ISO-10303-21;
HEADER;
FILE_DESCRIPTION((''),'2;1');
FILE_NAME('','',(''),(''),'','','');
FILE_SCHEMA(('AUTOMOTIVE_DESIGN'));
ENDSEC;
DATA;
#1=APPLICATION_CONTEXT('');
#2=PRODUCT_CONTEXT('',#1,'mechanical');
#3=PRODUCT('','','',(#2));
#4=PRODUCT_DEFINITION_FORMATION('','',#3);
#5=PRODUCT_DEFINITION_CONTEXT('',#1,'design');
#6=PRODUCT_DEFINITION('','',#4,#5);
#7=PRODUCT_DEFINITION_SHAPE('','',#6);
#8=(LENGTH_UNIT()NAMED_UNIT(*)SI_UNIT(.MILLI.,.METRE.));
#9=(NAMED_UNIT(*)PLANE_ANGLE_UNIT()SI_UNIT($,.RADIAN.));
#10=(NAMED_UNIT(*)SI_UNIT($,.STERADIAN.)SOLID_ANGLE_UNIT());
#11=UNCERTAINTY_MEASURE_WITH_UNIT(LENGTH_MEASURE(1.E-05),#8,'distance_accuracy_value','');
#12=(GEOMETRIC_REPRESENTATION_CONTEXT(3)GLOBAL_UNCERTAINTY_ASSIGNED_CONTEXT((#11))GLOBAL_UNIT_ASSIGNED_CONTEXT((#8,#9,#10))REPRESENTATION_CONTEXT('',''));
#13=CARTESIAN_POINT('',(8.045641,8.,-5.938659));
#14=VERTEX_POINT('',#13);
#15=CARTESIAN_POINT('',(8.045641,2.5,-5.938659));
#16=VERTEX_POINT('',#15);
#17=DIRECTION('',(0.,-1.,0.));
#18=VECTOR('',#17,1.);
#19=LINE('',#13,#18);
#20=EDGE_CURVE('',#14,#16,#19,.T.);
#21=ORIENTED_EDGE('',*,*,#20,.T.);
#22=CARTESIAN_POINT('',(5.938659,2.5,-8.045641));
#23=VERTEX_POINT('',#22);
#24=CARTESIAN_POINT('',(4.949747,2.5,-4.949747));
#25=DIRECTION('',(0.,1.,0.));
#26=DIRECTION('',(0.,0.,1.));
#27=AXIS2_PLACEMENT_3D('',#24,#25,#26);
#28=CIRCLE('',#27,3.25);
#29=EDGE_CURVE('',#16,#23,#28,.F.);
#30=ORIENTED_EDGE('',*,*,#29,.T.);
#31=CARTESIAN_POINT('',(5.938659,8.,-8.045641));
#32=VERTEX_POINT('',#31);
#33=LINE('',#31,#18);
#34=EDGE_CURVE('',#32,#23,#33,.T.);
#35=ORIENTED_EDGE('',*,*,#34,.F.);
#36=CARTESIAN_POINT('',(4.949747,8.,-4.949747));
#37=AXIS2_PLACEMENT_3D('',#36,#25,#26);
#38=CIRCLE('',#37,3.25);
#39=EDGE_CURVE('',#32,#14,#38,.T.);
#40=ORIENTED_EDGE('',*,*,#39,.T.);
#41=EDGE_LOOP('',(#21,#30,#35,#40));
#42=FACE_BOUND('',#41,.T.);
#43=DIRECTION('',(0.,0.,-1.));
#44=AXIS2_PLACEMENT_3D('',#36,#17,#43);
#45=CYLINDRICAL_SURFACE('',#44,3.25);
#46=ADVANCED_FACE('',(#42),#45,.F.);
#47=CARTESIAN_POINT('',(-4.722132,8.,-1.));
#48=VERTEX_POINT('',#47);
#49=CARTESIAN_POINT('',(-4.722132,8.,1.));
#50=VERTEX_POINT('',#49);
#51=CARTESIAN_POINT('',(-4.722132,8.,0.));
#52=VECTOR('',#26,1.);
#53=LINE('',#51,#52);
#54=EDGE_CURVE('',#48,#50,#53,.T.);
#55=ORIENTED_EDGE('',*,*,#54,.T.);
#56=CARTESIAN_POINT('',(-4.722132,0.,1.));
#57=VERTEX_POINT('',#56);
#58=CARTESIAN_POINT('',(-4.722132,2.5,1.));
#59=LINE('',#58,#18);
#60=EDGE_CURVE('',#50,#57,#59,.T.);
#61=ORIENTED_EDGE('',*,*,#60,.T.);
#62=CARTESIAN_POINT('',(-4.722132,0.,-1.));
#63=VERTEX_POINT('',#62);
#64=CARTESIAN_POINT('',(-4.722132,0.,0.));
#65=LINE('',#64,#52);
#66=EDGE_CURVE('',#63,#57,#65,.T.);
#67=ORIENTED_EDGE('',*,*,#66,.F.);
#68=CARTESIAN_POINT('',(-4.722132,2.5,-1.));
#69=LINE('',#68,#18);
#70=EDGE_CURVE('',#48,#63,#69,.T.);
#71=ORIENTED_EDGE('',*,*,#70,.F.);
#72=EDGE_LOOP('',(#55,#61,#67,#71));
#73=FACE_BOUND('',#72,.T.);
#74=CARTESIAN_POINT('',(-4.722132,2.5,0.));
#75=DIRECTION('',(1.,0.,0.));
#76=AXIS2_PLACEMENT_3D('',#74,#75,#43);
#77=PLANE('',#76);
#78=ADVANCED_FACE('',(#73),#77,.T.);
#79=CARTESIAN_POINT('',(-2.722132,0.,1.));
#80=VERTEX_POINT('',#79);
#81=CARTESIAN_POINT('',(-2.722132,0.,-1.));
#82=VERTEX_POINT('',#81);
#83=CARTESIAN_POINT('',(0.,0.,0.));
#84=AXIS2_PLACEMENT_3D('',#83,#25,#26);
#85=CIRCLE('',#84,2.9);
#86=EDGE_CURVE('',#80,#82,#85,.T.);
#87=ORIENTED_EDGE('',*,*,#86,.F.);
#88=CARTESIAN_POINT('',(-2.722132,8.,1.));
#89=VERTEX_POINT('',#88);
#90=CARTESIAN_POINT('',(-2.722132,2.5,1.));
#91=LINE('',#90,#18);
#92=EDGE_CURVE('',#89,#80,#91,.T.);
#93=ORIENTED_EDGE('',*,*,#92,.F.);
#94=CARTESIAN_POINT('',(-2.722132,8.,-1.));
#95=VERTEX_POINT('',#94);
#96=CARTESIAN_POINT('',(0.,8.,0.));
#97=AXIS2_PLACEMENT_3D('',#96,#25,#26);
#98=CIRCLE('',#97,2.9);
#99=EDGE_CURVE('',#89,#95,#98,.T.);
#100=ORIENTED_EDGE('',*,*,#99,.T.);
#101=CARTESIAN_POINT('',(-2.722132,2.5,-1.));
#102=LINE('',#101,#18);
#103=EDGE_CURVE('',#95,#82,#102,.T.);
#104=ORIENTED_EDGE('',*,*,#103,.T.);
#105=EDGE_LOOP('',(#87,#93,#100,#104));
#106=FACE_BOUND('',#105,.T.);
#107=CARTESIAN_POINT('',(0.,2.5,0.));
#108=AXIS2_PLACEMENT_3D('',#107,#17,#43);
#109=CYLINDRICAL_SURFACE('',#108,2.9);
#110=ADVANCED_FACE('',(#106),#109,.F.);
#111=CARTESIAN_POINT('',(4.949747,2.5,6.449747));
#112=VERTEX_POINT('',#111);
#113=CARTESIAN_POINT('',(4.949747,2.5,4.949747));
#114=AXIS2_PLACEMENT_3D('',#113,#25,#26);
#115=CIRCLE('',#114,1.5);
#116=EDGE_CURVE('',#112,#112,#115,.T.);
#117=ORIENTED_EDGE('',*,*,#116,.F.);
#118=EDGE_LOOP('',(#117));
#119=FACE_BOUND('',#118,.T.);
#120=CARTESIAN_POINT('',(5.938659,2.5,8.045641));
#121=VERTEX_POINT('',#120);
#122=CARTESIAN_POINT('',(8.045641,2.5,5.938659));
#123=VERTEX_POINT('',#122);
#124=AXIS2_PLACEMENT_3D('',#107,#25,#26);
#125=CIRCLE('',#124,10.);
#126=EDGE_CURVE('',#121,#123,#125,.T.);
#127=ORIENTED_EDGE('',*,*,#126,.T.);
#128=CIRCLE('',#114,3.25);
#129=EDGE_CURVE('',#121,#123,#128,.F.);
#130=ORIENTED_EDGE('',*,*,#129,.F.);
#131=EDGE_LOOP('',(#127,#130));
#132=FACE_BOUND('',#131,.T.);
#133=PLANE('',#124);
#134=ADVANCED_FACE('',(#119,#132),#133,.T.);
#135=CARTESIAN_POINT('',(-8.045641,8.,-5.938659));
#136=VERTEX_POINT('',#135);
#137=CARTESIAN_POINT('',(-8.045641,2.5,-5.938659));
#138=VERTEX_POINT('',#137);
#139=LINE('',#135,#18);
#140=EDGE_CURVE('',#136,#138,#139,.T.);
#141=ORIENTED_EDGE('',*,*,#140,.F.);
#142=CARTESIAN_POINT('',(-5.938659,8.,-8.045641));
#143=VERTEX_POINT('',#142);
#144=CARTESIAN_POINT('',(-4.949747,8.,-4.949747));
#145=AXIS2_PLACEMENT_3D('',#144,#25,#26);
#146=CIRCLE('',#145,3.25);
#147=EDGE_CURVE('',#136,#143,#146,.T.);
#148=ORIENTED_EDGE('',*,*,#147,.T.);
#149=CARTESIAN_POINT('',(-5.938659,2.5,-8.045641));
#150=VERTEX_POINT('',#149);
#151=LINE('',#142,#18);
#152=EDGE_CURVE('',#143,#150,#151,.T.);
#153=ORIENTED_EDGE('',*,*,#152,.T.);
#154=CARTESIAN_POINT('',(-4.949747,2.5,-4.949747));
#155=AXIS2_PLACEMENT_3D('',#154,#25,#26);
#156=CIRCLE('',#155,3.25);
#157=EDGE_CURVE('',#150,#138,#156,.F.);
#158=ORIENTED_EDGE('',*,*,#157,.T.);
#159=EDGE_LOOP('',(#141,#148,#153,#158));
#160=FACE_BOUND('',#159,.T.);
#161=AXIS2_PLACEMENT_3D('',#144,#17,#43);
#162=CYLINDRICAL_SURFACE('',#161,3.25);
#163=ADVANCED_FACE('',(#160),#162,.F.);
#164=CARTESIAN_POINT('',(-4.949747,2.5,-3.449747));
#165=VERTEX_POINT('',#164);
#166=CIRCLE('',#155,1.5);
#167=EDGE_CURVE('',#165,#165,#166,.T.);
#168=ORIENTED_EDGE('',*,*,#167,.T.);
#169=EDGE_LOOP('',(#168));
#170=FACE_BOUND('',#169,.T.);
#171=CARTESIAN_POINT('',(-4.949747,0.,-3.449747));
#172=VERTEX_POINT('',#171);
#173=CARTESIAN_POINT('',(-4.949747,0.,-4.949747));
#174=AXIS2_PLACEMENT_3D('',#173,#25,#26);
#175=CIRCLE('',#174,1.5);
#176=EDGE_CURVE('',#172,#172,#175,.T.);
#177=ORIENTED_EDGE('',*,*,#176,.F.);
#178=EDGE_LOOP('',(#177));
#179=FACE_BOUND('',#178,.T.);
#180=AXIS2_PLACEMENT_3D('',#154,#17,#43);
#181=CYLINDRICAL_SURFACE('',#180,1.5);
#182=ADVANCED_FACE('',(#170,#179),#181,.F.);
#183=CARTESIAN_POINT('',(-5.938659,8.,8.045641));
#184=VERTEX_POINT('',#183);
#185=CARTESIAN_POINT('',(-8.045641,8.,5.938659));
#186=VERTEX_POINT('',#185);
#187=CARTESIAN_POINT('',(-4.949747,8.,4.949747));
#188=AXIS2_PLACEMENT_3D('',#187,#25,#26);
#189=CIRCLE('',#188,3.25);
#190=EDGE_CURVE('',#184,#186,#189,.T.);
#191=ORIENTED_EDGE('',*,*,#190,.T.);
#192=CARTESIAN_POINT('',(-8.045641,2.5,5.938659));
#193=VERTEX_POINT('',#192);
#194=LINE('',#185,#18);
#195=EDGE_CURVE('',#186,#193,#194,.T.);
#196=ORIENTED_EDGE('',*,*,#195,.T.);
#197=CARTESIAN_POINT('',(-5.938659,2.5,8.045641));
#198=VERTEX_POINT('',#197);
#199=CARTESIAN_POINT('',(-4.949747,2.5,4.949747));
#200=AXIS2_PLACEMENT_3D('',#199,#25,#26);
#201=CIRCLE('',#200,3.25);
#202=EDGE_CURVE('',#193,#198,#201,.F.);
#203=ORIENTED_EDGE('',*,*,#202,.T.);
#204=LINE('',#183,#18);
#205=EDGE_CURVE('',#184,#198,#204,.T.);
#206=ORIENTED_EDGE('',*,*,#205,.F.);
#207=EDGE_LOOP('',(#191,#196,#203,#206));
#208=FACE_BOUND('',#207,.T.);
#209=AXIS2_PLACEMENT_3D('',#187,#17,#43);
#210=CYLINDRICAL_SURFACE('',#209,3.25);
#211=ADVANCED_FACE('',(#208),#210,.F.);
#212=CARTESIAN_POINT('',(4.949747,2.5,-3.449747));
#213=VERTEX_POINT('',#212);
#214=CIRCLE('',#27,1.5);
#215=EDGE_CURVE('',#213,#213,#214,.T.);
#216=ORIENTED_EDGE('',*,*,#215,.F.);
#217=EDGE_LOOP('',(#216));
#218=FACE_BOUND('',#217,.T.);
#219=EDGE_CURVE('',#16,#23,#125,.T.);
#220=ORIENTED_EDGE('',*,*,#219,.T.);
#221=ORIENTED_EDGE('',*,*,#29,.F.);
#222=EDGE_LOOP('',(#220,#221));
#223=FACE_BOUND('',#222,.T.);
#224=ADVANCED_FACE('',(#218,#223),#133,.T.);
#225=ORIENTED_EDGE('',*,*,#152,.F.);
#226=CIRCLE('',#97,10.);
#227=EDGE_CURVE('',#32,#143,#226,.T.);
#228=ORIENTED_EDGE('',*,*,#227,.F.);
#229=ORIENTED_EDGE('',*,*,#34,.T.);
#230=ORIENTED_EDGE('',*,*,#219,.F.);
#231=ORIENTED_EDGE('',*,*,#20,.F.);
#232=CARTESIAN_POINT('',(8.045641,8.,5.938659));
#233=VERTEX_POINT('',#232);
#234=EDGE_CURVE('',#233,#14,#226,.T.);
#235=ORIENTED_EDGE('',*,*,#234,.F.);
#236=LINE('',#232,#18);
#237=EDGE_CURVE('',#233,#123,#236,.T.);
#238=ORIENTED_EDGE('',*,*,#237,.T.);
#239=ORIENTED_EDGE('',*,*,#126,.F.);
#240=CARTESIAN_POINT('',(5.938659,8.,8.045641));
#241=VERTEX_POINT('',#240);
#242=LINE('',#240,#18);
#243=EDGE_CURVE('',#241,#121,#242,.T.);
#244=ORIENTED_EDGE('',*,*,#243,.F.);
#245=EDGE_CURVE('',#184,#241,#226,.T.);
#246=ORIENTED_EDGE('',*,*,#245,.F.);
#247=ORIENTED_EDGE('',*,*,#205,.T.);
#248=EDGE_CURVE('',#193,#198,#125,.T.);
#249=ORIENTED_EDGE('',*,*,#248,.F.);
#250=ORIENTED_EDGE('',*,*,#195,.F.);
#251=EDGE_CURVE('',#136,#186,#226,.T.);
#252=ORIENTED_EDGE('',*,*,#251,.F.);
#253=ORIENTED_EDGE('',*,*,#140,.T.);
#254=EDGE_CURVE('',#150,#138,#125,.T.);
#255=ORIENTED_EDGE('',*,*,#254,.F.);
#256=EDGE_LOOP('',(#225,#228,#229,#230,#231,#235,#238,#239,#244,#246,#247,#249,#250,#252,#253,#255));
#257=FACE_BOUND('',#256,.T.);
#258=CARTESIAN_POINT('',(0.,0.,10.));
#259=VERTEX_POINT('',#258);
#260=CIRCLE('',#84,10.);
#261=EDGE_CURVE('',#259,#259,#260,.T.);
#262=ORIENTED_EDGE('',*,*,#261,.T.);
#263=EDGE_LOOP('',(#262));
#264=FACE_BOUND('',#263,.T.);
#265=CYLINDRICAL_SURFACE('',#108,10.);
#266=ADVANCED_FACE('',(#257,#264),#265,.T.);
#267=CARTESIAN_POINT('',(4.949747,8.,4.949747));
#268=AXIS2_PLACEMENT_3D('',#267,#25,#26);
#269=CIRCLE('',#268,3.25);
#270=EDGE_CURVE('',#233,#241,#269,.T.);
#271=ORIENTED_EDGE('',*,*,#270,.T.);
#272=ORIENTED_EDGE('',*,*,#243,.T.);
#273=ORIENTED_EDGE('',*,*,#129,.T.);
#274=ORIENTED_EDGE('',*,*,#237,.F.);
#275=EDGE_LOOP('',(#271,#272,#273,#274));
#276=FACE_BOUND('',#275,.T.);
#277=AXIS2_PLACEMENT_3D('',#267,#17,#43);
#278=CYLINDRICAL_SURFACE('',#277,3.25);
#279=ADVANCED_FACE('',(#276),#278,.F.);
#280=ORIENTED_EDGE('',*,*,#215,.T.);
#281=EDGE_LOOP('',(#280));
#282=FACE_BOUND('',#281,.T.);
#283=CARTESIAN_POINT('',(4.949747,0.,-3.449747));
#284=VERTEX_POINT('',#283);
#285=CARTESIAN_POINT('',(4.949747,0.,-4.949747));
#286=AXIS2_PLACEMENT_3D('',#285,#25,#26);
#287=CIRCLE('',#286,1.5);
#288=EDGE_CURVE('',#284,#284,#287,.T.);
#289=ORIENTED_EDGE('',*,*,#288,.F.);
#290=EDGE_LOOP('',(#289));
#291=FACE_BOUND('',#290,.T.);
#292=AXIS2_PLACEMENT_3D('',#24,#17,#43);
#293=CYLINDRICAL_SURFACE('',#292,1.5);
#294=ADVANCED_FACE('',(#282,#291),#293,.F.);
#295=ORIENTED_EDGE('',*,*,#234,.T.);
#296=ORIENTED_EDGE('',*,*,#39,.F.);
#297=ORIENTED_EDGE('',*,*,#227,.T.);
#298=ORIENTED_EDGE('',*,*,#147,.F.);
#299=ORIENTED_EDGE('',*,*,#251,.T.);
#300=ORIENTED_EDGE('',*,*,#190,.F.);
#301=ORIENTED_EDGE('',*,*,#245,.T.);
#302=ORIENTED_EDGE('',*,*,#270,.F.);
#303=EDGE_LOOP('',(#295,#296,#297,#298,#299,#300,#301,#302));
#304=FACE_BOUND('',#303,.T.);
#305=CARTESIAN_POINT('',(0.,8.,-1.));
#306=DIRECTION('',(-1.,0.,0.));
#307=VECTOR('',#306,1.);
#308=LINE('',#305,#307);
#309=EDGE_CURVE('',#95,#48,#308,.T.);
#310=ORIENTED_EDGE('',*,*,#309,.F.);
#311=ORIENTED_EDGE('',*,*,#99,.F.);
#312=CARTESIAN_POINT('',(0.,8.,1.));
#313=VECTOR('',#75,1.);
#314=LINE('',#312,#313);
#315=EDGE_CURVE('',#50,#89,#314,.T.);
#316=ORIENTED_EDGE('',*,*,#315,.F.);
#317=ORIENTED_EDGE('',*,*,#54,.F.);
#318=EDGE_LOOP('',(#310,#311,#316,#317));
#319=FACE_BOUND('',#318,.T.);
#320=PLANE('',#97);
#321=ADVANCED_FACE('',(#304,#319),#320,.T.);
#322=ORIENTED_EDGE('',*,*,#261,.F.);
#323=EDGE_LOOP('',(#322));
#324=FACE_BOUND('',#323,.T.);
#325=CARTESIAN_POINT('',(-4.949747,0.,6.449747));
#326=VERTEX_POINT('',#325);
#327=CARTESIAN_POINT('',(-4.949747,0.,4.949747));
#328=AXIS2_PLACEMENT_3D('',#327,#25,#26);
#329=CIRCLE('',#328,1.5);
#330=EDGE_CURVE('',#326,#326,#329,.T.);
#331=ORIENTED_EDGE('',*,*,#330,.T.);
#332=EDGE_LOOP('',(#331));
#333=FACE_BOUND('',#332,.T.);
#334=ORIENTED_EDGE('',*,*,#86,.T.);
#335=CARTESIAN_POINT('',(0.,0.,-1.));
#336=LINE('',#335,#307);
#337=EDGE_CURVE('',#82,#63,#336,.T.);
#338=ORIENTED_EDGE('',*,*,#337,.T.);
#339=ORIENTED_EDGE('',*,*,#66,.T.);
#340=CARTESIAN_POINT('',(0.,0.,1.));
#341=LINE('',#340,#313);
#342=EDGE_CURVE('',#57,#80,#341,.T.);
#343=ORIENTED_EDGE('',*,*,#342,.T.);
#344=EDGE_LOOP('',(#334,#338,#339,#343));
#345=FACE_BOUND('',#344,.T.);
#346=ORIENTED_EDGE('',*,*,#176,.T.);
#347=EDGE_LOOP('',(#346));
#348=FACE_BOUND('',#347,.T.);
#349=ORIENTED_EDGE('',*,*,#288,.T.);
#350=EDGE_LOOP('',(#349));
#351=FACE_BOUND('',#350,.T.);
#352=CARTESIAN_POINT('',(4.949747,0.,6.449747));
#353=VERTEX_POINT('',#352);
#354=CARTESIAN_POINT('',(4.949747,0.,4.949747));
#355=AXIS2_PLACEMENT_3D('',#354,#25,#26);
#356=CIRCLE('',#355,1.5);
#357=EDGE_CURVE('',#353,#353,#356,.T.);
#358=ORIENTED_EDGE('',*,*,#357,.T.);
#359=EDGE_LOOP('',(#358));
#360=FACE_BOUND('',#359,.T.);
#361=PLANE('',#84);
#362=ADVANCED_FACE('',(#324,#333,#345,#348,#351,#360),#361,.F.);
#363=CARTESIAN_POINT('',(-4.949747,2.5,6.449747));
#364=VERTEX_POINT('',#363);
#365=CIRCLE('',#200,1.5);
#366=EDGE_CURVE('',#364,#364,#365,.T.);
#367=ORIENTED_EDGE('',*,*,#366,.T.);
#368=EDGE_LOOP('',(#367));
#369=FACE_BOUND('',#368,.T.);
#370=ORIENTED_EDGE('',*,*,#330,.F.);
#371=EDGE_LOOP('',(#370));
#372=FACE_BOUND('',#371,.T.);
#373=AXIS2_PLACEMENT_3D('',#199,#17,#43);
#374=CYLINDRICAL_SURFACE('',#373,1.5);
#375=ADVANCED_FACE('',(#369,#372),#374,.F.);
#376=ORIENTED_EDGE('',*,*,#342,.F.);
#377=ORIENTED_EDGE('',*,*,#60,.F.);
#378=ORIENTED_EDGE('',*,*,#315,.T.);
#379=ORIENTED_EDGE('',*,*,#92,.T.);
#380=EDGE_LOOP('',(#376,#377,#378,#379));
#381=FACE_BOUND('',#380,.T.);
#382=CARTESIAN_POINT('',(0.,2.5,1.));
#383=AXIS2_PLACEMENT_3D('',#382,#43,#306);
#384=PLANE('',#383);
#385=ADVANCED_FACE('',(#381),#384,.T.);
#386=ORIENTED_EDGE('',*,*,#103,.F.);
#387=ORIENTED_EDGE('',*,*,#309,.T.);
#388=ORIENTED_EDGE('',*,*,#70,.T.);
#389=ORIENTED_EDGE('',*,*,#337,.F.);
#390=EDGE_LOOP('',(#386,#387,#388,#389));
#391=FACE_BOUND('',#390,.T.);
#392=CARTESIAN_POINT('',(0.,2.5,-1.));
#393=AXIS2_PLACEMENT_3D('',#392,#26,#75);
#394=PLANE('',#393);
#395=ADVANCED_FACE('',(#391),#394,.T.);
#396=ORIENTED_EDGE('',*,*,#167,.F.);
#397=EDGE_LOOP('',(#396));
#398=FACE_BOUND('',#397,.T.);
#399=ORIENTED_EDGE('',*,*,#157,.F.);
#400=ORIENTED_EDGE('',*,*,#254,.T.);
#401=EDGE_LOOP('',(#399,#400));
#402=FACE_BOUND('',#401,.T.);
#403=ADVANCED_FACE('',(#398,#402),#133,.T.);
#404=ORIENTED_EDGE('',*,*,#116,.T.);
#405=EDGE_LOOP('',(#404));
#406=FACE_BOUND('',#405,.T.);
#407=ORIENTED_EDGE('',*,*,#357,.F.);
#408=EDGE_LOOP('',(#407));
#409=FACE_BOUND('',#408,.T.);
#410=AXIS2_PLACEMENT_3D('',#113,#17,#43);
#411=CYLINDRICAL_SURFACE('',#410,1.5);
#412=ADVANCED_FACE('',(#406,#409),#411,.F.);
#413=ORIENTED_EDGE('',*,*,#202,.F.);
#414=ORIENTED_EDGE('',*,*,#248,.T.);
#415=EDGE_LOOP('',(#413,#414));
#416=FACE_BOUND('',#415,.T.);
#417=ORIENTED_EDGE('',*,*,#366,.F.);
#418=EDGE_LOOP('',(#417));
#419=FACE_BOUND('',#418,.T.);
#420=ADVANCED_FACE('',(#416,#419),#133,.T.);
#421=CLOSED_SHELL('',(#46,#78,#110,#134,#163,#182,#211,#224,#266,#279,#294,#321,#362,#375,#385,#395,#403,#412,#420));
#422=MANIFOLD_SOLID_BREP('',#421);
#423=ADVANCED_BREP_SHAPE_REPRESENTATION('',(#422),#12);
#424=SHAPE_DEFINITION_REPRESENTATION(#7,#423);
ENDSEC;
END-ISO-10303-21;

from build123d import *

# Parameters (mm, degrees)
SKETCH1_R           = 10
SKETCH1_R_2         = 1.5
BOSS_EXTRUDE1_DEPTH = 2.5
BOSS_EXTRUDE5_DEPTH = 8


with BuildPart() as part:
    # Sketch1 → Boss-Extrude1 (new body)
    with BuildSketch(Plane(origin=(0, 0, 0), x_dir=(1, 0, 0), z_dir=(0, 1, 0))):
        Circle(SKETCH1_R)
        with Locations((4.949747468, 4.949747468)):
            Circle(SKETCH1_R_2, mode=Mode.SUBTRACT)
        with BuildLine():
            Line((-4.722131518, 1), (-2.722131518, 1))
            ThreePointArc((-2.722131518, 1), (2.9, 0), (-2.722131518, -1))
            Line((-2.722131518, -1), (-4.722131518, -1))
            Line((-4.722131518, -1), (-4.722131518, 1))
        make_face(mode=Mode.SUBTRACT)
        with Locations((4.949747468, -4.949747468)):
            Circle(SKETCH1_R_2, mode=Mode.SUBTRACT)
        with Locations((-4.949747468, -4.949747468)):
            Circle(SKETCH1_R_2, mode=Mode.SUBTRACT)
        with Locations((-4.949747468, 4.949747468)):
            Circle(SKETCH1_R_2, mode=Mode.SUBTRACT)
    extrude(amount=BOSS_EXTRUDE1_DEPTH)

    # Sketch1<14> → Boss-Extrude5 (add)
    with BuildSketch(Plane(origin=(0, 0, 0), x_dir=(1, 0, 0), z_dir=(0, 1, 0))):
        with BuildLine():
            ThreePointArc((8.045640675, -5.938658614), (10, 0), (8.045640675, 5.938658614))
            ThreePointArc((8.045640675, 5.938658614), (2.651650429, 2.651650429), (5.938658614, 8.045640675))
            ThreePointArc((5.938658614, 8.045640675), (0, 10), (-5.938658614, 8.045640675))
            ThreePointArc((-5.938658614, 8.045640675), (-2.651650429, 2.651650429), (-8.045640675, 5.938658614))
            ThreePointArc((-8.045640675, 5.938658614), (-10, 0), (-8.045640675, -5.938658614))
            ThreePointArc((-8.045640675, -5.938658614), (-2.651650429, -2.651650429), (-5.938658614, -8.045640675))
            ThreePointArc((-5.938658614, -8.045640675), (0, -10), (5.938658614, -8.045640675))
            ThreePointArc((5.938658614, -8.045640675), (2.651650429, -2.651650429), (8.045640675, -5.938658614))
        make_face()
        with BuildLine():
            Line((-4.722131518, -1), (-4.722131518, 1))
            Line((-4.722131518, 1), (-2.722131518, 1))
            ThreePointArc((-2.722131518, 1), (2.9, 0), (-2.722131518, -1))
            Line((-2.722131518, -1), (-4.722131518, -1))
        make_face(mode=Mode.SUBTRACT)
    extrude(amount=BOSS_EXTRUDE5_DEPTH)


solid = part.part
